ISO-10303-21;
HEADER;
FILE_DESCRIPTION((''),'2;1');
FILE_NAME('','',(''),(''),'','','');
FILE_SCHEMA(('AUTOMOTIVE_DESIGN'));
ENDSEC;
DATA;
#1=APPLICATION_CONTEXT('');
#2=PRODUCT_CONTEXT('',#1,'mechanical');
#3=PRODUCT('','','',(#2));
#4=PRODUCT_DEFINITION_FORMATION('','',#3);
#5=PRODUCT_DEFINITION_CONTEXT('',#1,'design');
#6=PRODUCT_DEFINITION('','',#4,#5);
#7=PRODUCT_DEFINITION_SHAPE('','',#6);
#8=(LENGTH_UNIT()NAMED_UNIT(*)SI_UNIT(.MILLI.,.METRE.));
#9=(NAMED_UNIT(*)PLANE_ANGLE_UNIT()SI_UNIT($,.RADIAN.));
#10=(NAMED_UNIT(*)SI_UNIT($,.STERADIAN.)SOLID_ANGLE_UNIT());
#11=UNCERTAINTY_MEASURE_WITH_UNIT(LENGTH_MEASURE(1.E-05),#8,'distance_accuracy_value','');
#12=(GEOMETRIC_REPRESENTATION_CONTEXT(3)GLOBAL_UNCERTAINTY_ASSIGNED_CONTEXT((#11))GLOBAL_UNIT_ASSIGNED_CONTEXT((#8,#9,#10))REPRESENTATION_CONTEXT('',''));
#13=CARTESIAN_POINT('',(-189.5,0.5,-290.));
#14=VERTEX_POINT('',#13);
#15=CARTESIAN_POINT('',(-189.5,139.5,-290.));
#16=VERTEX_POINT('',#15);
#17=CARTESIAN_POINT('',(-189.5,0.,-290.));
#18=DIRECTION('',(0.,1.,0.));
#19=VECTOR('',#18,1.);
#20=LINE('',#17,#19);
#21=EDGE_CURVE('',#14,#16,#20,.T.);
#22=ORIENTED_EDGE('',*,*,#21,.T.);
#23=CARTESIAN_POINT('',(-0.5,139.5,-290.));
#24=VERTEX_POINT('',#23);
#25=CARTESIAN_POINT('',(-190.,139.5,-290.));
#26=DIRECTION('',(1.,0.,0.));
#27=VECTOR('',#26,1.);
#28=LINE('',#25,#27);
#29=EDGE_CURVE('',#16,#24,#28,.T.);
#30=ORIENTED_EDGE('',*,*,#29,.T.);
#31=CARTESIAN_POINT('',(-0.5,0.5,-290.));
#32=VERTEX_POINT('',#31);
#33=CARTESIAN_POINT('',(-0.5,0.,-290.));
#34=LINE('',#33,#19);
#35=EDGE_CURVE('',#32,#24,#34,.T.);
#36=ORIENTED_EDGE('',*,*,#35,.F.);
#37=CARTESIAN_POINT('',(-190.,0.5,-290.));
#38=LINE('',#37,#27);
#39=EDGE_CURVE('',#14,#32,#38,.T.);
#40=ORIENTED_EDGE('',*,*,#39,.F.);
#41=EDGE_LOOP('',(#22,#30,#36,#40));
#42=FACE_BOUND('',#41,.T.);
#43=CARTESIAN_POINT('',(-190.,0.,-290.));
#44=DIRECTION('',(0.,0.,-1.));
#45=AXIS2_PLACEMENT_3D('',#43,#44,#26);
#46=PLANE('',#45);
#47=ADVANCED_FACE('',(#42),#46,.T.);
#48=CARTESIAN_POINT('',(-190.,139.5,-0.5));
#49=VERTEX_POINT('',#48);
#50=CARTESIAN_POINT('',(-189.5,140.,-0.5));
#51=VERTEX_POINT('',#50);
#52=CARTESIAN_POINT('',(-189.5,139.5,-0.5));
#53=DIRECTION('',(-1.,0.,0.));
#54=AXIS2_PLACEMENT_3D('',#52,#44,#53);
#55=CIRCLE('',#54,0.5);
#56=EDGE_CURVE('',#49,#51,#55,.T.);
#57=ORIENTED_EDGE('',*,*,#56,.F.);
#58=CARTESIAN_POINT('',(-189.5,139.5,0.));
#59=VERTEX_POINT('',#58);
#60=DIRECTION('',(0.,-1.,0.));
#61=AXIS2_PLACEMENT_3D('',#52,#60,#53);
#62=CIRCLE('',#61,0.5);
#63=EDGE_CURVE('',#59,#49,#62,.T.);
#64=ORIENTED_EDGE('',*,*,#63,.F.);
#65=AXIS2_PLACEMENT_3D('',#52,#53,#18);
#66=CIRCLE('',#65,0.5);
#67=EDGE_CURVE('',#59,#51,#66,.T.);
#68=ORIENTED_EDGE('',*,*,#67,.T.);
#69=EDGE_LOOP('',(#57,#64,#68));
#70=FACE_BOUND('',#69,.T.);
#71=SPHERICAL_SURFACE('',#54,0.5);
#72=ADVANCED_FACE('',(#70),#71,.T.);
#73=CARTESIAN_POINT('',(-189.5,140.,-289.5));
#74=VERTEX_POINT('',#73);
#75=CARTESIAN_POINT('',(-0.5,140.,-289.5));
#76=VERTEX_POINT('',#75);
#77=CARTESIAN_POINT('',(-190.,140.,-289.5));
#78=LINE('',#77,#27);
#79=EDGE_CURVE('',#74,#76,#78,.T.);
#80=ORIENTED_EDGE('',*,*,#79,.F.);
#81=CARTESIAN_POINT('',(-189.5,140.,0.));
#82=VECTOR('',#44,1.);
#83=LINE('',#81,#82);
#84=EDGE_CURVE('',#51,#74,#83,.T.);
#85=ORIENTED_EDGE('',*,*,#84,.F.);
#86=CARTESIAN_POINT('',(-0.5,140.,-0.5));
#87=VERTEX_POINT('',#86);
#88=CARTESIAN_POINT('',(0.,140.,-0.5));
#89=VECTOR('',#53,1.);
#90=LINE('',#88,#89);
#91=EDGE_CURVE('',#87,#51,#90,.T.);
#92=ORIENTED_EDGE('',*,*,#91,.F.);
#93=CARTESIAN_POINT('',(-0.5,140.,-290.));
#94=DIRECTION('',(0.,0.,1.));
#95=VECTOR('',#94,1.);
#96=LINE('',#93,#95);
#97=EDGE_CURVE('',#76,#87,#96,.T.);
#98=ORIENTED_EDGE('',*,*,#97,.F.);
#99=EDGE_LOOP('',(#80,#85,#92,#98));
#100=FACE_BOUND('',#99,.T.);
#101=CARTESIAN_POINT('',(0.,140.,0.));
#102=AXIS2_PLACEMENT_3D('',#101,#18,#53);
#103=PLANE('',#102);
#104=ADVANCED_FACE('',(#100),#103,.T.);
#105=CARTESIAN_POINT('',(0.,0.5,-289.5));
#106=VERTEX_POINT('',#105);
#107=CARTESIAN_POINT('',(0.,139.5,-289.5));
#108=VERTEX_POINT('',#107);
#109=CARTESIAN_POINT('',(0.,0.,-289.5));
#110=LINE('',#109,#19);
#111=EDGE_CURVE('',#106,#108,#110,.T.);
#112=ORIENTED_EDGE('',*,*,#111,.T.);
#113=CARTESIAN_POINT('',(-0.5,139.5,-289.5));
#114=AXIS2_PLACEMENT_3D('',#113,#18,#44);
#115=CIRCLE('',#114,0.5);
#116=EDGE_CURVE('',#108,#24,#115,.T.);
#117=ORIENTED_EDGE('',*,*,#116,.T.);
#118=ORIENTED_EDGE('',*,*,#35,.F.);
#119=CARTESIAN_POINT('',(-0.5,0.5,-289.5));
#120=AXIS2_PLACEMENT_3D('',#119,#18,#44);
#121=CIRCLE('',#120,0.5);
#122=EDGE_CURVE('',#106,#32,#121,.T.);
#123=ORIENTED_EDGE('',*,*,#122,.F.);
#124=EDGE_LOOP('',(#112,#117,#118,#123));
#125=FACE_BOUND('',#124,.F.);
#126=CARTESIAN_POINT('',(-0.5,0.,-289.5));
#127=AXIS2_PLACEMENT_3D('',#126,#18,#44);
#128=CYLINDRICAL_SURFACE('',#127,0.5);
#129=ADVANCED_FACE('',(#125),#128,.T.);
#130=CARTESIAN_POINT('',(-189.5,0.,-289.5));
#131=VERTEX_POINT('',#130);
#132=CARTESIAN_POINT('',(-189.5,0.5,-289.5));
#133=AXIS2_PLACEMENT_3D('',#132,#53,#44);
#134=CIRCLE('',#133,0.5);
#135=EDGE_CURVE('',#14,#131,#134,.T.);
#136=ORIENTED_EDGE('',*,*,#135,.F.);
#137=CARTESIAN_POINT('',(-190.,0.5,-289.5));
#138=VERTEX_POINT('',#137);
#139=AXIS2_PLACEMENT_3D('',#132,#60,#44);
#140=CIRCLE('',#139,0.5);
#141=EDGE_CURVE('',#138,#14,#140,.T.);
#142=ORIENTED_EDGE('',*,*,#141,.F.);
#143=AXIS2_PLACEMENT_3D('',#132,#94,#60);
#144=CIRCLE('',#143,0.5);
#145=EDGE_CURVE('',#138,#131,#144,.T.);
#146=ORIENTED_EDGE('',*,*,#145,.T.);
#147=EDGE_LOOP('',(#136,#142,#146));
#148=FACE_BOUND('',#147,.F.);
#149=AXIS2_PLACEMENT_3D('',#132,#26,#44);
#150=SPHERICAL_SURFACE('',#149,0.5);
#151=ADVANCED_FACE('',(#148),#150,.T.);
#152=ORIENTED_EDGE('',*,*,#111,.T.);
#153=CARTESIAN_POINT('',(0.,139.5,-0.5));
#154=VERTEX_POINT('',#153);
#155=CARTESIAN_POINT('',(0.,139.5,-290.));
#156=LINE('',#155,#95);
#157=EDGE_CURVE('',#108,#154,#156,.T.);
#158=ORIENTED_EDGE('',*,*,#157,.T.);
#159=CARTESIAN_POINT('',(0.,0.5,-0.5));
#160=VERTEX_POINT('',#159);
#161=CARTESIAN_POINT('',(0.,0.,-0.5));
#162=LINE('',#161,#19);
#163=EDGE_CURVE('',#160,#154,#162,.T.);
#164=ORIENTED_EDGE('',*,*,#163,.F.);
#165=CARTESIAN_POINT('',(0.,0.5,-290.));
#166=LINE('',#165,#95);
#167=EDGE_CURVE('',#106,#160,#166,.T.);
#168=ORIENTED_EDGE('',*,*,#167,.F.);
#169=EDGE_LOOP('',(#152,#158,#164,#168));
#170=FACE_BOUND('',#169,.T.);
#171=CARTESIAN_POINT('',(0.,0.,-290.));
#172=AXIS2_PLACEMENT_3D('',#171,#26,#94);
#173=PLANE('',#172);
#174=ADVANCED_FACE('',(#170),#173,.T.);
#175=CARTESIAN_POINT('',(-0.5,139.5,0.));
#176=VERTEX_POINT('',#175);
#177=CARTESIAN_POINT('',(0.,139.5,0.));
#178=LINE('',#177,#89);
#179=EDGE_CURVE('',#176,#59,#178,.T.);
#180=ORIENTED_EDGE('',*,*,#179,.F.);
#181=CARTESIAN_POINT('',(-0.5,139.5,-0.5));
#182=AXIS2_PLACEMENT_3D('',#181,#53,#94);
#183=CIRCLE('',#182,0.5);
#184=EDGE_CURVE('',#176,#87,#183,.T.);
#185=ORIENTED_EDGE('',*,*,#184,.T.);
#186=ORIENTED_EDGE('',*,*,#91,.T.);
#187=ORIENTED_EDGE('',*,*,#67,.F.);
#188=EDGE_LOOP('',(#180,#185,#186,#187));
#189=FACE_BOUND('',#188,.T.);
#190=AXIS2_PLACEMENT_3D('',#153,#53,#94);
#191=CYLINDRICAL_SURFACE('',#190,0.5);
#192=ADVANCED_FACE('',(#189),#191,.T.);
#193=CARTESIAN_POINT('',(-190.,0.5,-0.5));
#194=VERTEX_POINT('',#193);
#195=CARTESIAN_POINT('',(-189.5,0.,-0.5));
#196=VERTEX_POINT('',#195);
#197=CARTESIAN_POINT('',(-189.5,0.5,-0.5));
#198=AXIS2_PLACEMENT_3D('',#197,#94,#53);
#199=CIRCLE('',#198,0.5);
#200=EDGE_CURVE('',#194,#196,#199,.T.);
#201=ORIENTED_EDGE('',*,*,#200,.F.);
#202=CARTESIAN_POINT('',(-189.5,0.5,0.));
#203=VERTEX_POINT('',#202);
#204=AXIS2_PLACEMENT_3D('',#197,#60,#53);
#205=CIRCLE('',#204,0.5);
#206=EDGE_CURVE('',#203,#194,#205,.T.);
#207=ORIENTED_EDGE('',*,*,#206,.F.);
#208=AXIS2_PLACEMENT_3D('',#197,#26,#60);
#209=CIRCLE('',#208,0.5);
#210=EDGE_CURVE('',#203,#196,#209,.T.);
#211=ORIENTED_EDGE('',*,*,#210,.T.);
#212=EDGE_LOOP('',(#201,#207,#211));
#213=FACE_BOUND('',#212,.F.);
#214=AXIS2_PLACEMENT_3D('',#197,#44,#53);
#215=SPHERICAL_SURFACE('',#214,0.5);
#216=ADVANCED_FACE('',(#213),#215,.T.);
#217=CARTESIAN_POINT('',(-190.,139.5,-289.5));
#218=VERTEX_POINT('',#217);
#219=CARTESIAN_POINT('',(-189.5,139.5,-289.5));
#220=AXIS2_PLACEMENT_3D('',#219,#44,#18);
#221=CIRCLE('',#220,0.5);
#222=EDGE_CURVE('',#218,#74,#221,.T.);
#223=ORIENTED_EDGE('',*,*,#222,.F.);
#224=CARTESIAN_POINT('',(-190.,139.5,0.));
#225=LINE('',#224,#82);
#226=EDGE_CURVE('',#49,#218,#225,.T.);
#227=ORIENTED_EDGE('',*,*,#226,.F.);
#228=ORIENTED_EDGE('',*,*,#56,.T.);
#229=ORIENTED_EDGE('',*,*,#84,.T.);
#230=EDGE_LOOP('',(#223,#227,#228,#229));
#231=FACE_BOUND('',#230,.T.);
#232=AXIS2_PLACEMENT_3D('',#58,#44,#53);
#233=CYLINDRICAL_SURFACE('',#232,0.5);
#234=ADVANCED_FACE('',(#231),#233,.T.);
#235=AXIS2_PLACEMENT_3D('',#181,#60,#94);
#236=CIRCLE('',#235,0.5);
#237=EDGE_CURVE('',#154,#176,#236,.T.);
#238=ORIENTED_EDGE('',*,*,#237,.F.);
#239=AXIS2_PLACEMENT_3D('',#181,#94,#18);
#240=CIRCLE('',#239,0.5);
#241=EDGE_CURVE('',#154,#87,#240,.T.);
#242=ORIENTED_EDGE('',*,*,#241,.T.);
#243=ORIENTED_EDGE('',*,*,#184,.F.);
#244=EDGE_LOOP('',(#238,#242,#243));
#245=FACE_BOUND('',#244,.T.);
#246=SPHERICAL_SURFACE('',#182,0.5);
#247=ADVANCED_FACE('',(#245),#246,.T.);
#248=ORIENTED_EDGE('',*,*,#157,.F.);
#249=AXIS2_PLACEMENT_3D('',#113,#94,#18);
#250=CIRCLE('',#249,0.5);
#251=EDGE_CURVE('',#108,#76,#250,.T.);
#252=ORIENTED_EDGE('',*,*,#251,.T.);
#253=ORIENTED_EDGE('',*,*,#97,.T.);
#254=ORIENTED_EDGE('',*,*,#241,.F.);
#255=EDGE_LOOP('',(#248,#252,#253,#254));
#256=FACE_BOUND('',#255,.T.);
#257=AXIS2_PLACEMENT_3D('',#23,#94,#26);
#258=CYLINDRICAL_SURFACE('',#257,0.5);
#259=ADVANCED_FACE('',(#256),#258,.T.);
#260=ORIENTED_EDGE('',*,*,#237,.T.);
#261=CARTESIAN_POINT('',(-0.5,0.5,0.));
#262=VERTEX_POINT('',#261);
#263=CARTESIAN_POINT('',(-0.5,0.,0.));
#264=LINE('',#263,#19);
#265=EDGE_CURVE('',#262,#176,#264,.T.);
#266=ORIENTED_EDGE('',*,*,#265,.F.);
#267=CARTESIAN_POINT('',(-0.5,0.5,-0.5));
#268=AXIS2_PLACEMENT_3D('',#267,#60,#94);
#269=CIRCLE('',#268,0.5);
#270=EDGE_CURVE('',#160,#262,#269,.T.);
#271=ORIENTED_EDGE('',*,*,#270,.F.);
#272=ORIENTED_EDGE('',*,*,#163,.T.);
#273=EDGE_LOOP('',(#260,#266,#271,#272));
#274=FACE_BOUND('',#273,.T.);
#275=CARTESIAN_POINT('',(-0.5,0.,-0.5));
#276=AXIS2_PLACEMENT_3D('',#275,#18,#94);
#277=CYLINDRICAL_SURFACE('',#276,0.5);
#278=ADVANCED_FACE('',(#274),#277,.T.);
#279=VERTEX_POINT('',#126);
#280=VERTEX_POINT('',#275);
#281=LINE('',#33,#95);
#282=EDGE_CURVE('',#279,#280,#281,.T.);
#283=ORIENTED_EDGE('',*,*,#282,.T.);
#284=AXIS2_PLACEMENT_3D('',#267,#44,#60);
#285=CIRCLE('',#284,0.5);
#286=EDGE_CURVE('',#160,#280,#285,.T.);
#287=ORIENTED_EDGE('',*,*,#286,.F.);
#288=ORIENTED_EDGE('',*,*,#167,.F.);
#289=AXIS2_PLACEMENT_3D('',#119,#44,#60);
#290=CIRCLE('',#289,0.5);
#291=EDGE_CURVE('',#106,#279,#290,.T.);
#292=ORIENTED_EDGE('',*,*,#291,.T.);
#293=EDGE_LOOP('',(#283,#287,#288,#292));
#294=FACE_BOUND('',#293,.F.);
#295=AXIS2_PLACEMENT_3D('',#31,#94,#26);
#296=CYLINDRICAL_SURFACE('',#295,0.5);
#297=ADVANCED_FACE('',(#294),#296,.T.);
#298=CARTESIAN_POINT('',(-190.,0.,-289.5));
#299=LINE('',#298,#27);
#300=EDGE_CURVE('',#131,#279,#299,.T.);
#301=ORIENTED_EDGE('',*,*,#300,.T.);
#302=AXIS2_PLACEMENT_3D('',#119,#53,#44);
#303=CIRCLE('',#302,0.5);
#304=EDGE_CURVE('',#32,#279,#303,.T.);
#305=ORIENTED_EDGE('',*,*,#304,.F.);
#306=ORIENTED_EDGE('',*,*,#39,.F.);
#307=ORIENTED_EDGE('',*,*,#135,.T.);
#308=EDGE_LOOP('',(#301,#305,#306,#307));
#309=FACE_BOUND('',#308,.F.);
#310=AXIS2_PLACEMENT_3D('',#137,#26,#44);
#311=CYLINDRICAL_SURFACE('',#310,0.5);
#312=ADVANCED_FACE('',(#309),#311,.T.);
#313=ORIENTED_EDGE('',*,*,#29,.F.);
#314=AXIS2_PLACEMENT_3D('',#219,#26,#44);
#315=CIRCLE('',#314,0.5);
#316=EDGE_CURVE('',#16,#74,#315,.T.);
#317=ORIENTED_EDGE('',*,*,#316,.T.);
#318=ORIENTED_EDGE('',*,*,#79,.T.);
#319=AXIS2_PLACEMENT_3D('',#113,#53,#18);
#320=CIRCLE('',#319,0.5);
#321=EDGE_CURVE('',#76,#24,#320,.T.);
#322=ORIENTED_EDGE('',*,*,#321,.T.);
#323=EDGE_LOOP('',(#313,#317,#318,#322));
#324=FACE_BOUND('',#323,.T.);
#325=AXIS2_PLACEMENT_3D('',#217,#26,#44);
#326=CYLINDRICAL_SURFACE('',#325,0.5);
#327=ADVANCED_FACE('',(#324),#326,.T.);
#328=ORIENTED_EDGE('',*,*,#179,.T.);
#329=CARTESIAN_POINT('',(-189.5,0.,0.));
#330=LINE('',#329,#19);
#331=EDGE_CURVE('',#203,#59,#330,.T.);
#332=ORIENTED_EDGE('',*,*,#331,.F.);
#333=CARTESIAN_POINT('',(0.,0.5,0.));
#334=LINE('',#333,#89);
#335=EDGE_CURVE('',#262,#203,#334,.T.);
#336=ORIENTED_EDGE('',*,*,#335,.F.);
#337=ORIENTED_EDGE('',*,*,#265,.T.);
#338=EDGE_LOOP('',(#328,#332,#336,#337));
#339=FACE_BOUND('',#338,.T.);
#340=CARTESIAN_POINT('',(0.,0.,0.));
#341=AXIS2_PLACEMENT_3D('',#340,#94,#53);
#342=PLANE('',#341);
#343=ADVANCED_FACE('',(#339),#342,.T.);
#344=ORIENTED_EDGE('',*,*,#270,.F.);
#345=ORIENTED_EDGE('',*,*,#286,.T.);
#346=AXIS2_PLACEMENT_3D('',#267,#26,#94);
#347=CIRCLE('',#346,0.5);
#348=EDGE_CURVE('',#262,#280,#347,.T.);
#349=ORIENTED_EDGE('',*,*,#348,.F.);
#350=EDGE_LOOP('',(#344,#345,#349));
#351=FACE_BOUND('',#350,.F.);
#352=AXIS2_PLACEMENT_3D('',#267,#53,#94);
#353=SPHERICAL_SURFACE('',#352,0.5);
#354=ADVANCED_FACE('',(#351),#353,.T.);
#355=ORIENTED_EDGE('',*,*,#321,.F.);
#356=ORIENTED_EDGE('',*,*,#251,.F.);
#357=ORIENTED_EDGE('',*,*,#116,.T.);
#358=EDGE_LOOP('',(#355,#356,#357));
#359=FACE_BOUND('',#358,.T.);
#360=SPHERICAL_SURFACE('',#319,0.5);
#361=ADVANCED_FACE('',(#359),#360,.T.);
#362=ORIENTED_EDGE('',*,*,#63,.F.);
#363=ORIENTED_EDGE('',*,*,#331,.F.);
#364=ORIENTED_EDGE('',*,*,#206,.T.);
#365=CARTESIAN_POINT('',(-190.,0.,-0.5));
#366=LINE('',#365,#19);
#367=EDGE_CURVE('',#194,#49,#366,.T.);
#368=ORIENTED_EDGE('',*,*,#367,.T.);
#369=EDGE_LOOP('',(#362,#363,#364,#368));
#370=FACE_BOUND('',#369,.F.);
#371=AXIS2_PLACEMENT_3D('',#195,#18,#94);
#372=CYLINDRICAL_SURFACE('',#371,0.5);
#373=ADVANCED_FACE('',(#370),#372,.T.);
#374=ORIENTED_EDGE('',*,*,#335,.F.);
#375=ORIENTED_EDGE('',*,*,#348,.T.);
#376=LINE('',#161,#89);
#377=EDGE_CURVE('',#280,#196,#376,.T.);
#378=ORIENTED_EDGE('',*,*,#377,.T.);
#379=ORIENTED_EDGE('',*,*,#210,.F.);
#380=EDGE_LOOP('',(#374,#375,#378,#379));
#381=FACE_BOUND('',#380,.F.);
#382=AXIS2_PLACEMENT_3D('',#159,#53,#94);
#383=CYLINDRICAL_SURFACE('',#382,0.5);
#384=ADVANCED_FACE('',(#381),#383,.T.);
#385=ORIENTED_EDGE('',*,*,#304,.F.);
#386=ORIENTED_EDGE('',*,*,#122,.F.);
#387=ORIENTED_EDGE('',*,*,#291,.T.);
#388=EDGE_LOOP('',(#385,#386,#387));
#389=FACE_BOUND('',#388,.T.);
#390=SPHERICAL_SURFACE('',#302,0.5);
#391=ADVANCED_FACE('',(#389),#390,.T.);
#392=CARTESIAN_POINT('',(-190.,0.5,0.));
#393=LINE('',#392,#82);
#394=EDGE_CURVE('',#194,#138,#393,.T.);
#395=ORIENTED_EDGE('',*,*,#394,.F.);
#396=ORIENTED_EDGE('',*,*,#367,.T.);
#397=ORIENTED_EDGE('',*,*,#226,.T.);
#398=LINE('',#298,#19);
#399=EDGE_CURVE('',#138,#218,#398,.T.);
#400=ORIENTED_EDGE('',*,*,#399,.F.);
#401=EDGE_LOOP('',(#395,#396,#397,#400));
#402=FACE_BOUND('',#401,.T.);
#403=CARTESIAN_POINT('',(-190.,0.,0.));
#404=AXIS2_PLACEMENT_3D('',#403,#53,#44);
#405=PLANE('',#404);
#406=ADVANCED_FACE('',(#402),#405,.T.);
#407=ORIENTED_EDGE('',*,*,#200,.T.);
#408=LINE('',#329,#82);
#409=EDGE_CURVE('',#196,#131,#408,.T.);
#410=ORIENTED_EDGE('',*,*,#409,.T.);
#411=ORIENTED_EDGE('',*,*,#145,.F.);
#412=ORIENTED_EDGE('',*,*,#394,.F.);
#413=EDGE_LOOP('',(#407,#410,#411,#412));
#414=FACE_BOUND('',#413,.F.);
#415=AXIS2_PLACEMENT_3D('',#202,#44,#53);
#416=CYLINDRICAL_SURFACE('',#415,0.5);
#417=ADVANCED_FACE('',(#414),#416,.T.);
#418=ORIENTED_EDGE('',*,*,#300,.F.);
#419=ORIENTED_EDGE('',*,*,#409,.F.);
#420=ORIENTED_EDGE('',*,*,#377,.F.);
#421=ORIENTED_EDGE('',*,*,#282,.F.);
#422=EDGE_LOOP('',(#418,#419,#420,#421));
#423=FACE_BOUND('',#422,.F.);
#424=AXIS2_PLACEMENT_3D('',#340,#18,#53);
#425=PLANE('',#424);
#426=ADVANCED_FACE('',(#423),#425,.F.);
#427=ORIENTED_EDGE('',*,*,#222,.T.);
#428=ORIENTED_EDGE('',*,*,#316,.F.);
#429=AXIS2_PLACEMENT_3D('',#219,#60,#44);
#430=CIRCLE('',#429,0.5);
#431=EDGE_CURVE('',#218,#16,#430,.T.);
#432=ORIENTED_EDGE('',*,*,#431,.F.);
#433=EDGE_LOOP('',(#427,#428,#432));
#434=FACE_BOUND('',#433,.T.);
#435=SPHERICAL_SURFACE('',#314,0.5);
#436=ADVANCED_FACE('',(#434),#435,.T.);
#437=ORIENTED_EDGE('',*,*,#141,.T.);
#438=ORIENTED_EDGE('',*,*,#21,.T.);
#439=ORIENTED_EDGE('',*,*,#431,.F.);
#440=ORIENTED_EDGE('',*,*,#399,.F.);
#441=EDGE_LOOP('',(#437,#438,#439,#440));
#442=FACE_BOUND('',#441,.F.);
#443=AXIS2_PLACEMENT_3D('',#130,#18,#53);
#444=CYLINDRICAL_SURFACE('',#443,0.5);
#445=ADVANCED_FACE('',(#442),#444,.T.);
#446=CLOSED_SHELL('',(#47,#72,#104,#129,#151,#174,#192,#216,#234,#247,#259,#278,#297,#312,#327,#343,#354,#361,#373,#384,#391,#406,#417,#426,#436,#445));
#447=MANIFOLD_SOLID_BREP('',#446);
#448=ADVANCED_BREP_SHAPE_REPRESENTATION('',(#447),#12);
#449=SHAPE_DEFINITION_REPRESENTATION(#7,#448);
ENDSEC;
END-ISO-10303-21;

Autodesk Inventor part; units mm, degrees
ref_plane "YZ Plane" through (0, 0, 0) normal (1, 0, 0) x (0, 1, 0)
ref_plane "XZ Plane" through (0, 0, 0) normal (0, 1, 0) x (-1, 0, 0)
ref_plane "XY Plane" through (0, 0, 0) normal (0, 0, 1) x (1, 0, 0)
sketch "Sketch1" plane through (0, 0, 0) normal (0, 1, 0) x (-1, 0, 0)
  line L0 (0, 0) -> (190, 0)
  line L1 (190, 0) -> (190, -290)
  line L2 (190, -290) -> (0, -290)
  line L3 (0, -290) -> (0, 0)
  dimension "d0" = 190
  dimension "d1" = 290
extrude "Extrusion1" add sketch "Sketch1" along normal blind 140
fillet "Fillet1" radius 0.5 12 edges at (-95, 140, -290) (-95, 0, -290) (-190, 70, -290) (-190, 140, -145) (-190, 0, -145) (-190, 70, 0) (-95, 140, 0) (-95, 0, 0) (0, 70, 0) (0, 140, -145) (0, 70, -290) (0, 0, -145)
properties part number "box elektronik"
